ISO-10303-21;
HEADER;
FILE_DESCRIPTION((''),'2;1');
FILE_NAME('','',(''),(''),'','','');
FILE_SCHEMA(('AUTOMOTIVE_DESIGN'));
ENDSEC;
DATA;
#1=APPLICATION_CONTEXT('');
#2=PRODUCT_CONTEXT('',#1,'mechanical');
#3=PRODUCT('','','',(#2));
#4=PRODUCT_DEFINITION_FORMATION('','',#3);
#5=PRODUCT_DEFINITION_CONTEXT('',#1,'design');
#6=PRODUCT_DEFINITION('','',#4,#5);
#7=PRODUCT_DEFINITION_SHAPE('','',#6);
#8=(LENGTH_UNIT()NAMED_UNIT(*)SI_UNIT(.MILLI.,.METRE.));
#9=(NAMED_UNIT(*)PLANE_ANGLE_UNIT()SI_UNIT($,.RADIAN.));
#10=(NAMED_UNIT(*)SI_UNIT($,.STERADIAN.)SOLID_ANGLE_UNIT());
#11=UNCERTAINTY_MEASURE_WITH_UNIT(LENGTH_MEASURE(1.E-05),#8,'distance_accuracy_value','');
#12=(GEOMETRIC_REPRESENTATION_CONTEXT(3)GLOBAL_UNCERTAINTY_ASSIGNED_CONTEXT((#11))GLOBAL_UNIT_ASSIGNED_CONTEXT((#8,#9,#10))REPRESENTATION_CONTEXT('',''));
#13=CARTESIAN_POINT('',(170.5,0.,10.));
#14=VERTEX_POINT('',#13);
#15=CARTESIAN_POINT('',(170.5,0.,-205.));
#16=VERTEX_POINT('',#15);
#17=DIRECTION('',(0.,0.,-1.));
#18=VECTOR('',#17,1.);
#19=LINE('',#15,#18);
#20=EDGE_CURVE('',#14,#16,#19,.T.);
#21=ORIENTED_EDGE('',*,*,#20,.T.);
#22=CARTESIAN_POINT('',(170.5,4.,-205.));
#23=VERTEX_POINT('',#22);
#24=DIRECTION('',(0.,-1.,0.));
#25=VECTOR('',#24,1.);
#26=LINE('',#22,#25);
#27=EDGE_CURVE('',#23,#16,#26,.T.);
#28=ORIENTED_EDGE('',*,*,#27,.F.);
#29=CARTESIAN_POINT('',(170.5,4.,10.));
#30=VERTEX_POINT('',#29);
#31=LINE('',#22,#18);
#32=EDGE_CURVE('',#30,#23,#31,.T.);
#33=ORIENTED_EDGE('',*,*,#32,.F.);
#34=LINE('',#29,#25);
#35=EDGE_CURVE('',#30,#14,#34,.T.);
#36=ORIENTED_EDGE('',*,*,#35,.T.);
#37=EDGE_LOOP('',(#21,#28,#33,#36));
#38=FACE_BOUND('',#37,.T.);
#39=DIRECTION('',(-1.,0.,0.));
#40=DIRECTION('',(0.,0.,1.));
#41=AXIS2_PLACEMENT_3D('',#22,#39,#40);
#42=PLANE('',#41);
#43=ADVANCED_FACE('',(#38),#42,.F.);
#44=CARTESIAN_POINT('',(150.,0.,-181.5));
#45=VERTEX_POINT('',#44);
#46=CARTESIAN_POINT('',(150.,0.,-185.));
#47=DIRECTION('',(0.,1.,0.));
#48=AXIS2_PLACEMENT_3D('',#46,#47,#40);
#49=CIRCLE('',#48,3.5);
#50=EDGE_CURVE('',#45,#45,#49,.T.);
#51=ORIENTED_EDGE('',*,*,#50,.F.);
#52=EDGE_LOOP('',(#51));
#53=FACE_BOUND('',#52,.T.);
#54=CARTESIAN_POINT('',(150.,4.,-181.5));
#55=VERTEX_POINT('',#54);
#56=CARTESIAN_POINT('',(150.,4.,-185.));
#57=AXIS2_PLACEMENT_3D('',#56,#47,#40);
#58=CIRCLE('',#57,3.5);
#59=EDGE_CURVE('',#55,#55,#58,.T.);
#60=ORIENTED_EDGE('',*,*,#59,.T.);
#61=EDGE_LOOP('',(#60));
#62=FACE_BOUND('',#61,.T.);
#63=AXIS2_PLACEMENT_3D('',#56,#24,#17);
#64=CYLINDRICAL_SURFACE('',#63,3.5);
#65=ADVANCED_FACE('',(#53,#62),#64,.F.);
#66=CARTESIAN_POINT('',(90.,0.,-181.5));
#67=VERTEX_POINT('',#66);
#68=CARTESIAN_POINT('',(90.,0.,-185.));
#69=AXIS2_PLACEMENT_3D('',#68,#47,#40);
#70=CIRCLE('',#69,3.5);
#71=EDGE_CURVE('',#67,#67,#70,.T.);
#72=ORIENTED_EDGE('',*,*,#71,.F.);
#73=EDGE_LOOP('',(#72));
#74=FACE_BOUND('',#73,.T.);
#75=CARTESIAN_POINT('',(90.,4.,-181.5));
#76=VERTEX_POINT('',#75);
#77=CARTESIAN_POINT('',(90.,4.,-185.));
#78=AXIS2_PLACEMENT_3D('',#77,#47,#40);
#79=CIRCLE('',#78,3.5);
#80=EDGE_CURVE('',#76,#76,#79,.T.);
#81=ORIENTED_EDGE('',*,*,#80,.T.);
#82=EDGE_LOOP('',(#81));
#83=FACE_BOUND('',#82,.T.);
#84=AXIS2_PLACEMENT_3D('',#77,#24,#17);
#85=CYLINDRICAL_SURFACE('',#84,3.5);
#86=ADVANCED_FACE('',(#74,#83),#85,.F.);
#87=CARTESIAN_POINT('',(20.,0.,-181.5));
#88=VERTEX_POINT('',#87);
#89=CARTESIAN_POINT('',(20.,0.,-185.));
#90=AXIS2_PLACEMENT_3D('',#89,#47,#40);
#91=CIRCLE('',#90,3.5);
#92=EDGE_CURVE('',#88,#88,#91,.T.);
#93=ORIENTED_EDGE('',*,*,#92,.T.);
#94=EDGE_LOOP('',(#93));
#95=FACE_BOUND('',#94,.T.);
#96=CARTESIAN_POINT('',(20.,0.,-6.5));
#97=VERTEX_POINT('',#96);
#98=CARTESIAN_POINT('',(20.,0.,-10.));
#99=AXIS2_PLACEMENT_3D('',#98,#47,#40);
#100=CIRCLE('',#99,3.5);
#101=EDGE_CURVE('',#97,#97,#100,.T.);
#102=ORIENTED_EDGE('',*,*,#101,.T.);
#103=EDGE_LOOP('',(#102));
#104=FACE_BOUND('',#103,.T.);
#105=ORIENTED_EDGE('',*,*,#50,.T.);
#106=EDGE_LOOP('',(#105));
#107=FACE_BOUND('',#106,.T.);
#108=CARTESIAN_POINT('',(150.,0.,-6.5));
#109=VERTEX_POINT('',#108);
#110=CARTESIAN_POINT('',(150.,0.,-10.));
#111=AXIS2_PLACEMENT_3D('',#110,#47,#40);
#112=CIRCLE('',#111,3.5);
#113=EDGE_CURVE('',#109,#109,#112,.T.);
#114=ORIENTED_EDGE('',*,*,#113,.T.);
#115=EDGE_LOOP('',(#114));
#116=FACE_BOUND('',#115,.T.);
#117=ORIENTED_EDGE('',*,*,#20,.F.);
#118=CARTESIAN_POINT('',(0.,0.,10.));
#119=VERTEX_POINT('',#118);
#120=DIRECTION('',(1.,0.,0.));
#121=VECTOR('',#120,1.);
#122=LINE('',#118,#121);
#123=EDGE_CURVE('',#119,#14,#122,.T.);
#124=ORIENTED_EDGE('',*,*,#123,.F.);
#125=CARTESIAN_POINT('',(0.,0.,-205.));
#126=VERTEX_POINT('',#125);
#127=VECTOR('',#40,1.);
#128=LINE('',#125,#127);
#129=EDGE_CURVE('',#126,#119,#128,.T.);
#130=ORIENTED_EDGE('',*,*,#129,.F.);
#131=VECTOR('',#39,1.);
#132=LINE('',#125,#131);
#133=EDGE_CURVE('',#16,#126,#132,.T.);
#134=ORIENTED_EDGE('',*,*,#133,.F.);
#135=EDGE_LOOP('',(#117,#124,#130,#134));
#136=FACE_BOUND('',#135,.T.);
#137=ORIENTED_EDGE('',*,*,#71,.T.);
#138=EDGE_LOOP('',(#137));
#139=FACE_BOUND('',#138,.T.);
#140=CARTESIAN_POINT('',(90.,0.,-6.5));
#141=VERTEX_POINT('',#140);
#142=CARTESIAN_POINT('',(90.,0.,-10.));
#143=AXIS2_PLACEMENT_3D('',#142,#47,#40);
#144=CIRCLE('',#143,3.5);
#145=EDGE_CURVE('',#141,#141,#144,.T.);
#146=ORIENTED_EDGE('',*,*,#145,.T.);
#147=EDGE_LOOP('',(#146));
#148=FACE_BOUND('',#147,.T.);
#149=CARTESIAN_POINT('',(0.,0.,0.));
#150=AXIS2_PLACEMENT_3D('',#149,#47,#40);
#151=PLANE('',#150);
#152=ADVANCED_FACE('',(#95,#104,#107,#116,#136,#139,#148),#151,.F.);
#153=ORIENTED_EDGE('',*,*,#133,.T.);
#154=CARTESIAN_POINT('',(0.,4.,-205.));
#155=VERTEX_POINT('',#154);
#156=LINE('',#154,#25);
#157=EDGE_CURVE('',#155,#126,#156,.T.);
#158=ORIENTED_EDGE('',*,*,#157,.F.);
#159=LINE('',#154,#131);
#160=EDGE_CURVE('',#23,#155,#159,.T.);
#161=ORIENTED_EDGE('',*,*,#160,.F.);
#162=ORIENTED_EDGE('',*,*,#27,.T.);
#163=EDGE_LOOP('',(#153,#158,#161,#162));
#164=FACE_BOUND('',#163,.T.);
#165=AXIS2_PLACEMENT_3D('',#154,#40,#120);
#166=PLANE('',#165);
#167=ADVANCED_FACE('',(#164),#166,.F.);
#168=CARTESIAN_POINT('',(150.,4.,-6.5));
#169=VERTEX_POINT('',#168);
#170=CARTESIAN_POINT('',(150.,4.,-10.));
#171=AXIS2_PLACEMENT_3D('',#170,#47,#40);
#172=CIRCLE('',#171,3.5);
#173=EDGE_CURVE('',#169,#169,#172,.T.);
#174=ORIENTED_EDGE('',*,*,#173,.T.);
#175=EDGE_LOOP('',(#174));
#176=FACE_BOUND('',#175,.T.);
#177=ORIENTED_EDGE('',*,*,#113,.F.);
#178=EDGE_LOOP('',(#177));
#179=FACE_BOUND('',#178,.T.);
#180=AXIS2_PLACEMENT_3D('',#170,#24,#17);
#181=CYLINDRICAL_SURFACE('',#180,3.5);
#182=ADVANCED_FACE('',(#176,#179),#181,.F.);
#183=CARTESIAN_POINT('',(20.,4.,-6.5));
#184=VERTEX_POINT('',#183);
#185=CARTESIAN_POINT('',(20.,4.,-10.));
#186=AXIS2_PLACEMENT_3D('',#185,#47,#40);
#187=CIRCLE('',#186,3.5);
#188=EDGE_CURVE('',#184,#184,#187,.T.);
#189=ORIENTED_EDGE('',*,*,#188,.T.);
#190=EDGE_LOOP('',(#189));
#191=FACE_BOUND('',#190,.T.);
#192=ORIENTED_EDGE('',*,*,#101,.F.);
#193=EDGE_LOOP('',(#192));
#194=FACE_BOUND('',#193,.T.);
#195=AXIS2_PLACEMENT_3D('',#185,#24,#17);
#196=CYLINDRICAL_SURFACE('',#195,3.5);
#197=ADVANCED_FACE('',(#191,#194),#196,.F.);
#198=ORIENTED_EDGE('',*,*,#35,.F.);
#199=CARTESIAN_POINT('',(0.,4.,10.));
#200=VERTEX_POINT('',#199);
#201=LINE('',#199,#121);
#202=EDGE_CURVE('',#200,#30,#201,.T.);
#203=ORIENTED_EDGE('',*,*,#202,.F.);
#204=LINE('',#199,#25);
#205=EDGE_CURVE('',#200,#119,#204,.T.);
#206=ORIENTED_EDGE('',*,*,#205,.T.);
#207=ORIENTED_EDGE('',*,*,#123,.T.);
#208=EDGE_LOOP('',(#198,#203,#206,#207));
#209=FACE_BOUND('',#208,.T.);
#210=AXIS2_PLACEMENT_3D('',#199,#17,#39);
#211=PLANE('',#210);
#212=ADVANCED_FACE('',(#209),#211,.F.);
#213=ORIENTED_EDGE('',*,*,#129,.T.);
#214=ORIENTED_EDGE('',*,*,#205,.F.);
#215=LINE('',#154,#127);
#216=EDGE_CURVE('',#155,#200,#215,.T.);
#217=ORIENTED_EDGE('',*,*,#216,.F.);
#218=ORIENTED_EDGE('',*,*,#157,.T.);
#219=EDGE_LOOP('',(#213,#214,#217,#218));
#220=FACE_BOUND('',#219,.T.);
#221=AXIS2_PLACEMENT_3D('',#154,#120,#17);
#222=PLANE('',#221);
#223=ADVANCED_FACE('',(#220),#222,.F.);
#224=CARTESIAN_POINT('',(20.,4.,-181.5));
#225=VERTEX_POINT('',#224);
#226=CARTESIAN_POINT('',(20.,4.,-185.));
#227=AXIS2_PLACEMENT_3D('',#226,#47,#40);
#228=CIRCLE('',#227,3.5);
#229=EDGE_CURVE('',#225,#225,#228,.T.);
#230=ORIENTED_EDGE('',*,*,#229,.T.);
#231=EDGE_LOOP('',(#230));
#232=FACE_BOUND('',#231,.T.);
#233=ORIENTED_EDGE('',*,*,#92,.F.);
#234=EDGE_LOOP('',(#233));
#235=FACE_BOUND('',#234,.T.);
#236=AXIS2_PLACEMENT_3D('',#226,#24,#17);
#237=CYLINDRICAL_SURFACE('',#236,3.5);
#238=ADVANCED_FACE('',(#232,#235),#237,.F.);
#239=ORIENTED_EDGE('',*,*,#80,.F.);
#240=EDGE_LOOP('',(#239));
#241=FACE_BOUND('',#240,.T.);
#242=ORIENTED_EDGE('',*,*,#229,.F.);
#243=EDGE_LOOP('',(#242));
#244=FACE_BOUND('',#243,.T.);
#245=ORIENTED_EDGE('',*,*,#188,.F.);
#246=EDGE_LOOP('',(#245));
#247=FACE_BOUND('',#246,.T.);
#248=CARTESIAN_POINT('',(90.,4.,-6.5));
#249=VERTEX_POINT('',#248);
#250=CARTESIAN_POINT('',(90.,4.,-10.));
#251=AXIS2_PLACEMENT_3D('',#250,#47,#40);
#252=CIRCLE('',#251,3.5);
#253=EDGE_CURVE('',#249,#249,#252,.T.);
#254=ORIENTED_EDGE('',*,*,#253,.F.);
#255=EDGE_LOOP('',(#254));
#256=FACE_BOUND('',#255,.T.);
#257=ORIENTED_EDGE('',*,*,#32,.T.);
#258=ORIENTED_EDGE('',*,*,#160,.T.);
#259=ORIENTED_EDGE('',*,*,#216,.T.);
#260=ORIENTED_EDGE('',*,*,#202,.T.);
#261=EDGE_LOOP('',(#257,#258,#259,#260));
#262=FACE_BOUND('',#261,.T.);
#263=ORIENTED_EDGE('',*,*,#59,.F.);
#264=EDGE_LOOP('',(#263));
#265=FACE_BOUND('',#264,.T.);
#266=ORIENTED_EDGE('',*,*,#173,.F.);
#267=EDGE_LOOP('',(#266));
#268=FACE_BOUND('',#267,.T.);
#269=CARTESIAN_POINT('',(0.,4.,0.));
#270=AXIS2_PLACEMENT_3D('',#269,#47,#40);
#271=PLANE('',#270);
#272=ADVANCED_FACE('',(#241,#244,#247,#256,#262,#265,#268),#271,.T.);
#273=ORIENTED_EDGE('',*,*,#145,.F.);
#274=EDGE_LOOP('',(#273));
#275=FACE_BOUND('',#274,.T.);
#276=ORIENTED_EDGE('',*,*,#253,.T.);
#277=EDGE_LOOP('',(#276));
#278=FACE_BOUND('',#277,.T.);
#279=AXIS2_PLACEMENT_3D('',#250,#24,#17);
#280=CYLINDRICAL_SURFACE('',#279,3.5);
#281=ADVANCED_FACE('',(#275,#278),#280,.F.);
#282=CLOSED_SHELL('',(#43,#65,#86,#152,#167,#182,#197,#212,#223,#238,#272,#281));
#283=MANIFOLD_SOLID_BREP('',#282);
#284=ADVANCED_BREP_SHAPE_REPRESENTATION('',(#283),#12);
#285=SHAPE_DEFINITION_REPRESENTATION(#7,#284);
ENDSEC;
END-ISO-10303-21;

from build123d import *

# Parameters (mm, degrees)
SKETCH1_W           = 170.5
SKETCH1_H           = 215
SKETCH1_R           = 3.5
BOSS_EXTRUDE1_DEPTH = 4


with BuildPart() as part:
    # Sketch1 → Boss-Extrude1 (new body)
    with BuildSketch(Plane(origin=(0, 0, 0), x_dir=(1, 0, 0), z_dir=(0, 1, 0))):
        with Locations((85.25, 97.5)):
            Rectangle(SKETCH1_W, SKETCH1_H)
        with Locations((20, 10)):
            Circle(SKETCH1_R, mode=Mode.SUBTRACT)
        with Locations((150, 10)):
            Circle(SKETCH1_R, mode=Mode.SUBTRACT)
        with Locations((90, 10)):
            Circle(SKETCH1_R, mode=Mode.SUBTRACT)
        with Locations((20, 185)):
            Circle(SKETCH1_R, mode=Mode.SUBTRACT)
        with Locations((90, 185)):
            Circle(SKETCH1_R, mode=Mode.SUBTRACT)
        with Locations((150, 185)):
            Circle(SKETCH1_R, mode=Mode.SUBTRACT)
    extrude(amount=BOSS_EXTRUDE1_DEPTH)


solid = part.part
